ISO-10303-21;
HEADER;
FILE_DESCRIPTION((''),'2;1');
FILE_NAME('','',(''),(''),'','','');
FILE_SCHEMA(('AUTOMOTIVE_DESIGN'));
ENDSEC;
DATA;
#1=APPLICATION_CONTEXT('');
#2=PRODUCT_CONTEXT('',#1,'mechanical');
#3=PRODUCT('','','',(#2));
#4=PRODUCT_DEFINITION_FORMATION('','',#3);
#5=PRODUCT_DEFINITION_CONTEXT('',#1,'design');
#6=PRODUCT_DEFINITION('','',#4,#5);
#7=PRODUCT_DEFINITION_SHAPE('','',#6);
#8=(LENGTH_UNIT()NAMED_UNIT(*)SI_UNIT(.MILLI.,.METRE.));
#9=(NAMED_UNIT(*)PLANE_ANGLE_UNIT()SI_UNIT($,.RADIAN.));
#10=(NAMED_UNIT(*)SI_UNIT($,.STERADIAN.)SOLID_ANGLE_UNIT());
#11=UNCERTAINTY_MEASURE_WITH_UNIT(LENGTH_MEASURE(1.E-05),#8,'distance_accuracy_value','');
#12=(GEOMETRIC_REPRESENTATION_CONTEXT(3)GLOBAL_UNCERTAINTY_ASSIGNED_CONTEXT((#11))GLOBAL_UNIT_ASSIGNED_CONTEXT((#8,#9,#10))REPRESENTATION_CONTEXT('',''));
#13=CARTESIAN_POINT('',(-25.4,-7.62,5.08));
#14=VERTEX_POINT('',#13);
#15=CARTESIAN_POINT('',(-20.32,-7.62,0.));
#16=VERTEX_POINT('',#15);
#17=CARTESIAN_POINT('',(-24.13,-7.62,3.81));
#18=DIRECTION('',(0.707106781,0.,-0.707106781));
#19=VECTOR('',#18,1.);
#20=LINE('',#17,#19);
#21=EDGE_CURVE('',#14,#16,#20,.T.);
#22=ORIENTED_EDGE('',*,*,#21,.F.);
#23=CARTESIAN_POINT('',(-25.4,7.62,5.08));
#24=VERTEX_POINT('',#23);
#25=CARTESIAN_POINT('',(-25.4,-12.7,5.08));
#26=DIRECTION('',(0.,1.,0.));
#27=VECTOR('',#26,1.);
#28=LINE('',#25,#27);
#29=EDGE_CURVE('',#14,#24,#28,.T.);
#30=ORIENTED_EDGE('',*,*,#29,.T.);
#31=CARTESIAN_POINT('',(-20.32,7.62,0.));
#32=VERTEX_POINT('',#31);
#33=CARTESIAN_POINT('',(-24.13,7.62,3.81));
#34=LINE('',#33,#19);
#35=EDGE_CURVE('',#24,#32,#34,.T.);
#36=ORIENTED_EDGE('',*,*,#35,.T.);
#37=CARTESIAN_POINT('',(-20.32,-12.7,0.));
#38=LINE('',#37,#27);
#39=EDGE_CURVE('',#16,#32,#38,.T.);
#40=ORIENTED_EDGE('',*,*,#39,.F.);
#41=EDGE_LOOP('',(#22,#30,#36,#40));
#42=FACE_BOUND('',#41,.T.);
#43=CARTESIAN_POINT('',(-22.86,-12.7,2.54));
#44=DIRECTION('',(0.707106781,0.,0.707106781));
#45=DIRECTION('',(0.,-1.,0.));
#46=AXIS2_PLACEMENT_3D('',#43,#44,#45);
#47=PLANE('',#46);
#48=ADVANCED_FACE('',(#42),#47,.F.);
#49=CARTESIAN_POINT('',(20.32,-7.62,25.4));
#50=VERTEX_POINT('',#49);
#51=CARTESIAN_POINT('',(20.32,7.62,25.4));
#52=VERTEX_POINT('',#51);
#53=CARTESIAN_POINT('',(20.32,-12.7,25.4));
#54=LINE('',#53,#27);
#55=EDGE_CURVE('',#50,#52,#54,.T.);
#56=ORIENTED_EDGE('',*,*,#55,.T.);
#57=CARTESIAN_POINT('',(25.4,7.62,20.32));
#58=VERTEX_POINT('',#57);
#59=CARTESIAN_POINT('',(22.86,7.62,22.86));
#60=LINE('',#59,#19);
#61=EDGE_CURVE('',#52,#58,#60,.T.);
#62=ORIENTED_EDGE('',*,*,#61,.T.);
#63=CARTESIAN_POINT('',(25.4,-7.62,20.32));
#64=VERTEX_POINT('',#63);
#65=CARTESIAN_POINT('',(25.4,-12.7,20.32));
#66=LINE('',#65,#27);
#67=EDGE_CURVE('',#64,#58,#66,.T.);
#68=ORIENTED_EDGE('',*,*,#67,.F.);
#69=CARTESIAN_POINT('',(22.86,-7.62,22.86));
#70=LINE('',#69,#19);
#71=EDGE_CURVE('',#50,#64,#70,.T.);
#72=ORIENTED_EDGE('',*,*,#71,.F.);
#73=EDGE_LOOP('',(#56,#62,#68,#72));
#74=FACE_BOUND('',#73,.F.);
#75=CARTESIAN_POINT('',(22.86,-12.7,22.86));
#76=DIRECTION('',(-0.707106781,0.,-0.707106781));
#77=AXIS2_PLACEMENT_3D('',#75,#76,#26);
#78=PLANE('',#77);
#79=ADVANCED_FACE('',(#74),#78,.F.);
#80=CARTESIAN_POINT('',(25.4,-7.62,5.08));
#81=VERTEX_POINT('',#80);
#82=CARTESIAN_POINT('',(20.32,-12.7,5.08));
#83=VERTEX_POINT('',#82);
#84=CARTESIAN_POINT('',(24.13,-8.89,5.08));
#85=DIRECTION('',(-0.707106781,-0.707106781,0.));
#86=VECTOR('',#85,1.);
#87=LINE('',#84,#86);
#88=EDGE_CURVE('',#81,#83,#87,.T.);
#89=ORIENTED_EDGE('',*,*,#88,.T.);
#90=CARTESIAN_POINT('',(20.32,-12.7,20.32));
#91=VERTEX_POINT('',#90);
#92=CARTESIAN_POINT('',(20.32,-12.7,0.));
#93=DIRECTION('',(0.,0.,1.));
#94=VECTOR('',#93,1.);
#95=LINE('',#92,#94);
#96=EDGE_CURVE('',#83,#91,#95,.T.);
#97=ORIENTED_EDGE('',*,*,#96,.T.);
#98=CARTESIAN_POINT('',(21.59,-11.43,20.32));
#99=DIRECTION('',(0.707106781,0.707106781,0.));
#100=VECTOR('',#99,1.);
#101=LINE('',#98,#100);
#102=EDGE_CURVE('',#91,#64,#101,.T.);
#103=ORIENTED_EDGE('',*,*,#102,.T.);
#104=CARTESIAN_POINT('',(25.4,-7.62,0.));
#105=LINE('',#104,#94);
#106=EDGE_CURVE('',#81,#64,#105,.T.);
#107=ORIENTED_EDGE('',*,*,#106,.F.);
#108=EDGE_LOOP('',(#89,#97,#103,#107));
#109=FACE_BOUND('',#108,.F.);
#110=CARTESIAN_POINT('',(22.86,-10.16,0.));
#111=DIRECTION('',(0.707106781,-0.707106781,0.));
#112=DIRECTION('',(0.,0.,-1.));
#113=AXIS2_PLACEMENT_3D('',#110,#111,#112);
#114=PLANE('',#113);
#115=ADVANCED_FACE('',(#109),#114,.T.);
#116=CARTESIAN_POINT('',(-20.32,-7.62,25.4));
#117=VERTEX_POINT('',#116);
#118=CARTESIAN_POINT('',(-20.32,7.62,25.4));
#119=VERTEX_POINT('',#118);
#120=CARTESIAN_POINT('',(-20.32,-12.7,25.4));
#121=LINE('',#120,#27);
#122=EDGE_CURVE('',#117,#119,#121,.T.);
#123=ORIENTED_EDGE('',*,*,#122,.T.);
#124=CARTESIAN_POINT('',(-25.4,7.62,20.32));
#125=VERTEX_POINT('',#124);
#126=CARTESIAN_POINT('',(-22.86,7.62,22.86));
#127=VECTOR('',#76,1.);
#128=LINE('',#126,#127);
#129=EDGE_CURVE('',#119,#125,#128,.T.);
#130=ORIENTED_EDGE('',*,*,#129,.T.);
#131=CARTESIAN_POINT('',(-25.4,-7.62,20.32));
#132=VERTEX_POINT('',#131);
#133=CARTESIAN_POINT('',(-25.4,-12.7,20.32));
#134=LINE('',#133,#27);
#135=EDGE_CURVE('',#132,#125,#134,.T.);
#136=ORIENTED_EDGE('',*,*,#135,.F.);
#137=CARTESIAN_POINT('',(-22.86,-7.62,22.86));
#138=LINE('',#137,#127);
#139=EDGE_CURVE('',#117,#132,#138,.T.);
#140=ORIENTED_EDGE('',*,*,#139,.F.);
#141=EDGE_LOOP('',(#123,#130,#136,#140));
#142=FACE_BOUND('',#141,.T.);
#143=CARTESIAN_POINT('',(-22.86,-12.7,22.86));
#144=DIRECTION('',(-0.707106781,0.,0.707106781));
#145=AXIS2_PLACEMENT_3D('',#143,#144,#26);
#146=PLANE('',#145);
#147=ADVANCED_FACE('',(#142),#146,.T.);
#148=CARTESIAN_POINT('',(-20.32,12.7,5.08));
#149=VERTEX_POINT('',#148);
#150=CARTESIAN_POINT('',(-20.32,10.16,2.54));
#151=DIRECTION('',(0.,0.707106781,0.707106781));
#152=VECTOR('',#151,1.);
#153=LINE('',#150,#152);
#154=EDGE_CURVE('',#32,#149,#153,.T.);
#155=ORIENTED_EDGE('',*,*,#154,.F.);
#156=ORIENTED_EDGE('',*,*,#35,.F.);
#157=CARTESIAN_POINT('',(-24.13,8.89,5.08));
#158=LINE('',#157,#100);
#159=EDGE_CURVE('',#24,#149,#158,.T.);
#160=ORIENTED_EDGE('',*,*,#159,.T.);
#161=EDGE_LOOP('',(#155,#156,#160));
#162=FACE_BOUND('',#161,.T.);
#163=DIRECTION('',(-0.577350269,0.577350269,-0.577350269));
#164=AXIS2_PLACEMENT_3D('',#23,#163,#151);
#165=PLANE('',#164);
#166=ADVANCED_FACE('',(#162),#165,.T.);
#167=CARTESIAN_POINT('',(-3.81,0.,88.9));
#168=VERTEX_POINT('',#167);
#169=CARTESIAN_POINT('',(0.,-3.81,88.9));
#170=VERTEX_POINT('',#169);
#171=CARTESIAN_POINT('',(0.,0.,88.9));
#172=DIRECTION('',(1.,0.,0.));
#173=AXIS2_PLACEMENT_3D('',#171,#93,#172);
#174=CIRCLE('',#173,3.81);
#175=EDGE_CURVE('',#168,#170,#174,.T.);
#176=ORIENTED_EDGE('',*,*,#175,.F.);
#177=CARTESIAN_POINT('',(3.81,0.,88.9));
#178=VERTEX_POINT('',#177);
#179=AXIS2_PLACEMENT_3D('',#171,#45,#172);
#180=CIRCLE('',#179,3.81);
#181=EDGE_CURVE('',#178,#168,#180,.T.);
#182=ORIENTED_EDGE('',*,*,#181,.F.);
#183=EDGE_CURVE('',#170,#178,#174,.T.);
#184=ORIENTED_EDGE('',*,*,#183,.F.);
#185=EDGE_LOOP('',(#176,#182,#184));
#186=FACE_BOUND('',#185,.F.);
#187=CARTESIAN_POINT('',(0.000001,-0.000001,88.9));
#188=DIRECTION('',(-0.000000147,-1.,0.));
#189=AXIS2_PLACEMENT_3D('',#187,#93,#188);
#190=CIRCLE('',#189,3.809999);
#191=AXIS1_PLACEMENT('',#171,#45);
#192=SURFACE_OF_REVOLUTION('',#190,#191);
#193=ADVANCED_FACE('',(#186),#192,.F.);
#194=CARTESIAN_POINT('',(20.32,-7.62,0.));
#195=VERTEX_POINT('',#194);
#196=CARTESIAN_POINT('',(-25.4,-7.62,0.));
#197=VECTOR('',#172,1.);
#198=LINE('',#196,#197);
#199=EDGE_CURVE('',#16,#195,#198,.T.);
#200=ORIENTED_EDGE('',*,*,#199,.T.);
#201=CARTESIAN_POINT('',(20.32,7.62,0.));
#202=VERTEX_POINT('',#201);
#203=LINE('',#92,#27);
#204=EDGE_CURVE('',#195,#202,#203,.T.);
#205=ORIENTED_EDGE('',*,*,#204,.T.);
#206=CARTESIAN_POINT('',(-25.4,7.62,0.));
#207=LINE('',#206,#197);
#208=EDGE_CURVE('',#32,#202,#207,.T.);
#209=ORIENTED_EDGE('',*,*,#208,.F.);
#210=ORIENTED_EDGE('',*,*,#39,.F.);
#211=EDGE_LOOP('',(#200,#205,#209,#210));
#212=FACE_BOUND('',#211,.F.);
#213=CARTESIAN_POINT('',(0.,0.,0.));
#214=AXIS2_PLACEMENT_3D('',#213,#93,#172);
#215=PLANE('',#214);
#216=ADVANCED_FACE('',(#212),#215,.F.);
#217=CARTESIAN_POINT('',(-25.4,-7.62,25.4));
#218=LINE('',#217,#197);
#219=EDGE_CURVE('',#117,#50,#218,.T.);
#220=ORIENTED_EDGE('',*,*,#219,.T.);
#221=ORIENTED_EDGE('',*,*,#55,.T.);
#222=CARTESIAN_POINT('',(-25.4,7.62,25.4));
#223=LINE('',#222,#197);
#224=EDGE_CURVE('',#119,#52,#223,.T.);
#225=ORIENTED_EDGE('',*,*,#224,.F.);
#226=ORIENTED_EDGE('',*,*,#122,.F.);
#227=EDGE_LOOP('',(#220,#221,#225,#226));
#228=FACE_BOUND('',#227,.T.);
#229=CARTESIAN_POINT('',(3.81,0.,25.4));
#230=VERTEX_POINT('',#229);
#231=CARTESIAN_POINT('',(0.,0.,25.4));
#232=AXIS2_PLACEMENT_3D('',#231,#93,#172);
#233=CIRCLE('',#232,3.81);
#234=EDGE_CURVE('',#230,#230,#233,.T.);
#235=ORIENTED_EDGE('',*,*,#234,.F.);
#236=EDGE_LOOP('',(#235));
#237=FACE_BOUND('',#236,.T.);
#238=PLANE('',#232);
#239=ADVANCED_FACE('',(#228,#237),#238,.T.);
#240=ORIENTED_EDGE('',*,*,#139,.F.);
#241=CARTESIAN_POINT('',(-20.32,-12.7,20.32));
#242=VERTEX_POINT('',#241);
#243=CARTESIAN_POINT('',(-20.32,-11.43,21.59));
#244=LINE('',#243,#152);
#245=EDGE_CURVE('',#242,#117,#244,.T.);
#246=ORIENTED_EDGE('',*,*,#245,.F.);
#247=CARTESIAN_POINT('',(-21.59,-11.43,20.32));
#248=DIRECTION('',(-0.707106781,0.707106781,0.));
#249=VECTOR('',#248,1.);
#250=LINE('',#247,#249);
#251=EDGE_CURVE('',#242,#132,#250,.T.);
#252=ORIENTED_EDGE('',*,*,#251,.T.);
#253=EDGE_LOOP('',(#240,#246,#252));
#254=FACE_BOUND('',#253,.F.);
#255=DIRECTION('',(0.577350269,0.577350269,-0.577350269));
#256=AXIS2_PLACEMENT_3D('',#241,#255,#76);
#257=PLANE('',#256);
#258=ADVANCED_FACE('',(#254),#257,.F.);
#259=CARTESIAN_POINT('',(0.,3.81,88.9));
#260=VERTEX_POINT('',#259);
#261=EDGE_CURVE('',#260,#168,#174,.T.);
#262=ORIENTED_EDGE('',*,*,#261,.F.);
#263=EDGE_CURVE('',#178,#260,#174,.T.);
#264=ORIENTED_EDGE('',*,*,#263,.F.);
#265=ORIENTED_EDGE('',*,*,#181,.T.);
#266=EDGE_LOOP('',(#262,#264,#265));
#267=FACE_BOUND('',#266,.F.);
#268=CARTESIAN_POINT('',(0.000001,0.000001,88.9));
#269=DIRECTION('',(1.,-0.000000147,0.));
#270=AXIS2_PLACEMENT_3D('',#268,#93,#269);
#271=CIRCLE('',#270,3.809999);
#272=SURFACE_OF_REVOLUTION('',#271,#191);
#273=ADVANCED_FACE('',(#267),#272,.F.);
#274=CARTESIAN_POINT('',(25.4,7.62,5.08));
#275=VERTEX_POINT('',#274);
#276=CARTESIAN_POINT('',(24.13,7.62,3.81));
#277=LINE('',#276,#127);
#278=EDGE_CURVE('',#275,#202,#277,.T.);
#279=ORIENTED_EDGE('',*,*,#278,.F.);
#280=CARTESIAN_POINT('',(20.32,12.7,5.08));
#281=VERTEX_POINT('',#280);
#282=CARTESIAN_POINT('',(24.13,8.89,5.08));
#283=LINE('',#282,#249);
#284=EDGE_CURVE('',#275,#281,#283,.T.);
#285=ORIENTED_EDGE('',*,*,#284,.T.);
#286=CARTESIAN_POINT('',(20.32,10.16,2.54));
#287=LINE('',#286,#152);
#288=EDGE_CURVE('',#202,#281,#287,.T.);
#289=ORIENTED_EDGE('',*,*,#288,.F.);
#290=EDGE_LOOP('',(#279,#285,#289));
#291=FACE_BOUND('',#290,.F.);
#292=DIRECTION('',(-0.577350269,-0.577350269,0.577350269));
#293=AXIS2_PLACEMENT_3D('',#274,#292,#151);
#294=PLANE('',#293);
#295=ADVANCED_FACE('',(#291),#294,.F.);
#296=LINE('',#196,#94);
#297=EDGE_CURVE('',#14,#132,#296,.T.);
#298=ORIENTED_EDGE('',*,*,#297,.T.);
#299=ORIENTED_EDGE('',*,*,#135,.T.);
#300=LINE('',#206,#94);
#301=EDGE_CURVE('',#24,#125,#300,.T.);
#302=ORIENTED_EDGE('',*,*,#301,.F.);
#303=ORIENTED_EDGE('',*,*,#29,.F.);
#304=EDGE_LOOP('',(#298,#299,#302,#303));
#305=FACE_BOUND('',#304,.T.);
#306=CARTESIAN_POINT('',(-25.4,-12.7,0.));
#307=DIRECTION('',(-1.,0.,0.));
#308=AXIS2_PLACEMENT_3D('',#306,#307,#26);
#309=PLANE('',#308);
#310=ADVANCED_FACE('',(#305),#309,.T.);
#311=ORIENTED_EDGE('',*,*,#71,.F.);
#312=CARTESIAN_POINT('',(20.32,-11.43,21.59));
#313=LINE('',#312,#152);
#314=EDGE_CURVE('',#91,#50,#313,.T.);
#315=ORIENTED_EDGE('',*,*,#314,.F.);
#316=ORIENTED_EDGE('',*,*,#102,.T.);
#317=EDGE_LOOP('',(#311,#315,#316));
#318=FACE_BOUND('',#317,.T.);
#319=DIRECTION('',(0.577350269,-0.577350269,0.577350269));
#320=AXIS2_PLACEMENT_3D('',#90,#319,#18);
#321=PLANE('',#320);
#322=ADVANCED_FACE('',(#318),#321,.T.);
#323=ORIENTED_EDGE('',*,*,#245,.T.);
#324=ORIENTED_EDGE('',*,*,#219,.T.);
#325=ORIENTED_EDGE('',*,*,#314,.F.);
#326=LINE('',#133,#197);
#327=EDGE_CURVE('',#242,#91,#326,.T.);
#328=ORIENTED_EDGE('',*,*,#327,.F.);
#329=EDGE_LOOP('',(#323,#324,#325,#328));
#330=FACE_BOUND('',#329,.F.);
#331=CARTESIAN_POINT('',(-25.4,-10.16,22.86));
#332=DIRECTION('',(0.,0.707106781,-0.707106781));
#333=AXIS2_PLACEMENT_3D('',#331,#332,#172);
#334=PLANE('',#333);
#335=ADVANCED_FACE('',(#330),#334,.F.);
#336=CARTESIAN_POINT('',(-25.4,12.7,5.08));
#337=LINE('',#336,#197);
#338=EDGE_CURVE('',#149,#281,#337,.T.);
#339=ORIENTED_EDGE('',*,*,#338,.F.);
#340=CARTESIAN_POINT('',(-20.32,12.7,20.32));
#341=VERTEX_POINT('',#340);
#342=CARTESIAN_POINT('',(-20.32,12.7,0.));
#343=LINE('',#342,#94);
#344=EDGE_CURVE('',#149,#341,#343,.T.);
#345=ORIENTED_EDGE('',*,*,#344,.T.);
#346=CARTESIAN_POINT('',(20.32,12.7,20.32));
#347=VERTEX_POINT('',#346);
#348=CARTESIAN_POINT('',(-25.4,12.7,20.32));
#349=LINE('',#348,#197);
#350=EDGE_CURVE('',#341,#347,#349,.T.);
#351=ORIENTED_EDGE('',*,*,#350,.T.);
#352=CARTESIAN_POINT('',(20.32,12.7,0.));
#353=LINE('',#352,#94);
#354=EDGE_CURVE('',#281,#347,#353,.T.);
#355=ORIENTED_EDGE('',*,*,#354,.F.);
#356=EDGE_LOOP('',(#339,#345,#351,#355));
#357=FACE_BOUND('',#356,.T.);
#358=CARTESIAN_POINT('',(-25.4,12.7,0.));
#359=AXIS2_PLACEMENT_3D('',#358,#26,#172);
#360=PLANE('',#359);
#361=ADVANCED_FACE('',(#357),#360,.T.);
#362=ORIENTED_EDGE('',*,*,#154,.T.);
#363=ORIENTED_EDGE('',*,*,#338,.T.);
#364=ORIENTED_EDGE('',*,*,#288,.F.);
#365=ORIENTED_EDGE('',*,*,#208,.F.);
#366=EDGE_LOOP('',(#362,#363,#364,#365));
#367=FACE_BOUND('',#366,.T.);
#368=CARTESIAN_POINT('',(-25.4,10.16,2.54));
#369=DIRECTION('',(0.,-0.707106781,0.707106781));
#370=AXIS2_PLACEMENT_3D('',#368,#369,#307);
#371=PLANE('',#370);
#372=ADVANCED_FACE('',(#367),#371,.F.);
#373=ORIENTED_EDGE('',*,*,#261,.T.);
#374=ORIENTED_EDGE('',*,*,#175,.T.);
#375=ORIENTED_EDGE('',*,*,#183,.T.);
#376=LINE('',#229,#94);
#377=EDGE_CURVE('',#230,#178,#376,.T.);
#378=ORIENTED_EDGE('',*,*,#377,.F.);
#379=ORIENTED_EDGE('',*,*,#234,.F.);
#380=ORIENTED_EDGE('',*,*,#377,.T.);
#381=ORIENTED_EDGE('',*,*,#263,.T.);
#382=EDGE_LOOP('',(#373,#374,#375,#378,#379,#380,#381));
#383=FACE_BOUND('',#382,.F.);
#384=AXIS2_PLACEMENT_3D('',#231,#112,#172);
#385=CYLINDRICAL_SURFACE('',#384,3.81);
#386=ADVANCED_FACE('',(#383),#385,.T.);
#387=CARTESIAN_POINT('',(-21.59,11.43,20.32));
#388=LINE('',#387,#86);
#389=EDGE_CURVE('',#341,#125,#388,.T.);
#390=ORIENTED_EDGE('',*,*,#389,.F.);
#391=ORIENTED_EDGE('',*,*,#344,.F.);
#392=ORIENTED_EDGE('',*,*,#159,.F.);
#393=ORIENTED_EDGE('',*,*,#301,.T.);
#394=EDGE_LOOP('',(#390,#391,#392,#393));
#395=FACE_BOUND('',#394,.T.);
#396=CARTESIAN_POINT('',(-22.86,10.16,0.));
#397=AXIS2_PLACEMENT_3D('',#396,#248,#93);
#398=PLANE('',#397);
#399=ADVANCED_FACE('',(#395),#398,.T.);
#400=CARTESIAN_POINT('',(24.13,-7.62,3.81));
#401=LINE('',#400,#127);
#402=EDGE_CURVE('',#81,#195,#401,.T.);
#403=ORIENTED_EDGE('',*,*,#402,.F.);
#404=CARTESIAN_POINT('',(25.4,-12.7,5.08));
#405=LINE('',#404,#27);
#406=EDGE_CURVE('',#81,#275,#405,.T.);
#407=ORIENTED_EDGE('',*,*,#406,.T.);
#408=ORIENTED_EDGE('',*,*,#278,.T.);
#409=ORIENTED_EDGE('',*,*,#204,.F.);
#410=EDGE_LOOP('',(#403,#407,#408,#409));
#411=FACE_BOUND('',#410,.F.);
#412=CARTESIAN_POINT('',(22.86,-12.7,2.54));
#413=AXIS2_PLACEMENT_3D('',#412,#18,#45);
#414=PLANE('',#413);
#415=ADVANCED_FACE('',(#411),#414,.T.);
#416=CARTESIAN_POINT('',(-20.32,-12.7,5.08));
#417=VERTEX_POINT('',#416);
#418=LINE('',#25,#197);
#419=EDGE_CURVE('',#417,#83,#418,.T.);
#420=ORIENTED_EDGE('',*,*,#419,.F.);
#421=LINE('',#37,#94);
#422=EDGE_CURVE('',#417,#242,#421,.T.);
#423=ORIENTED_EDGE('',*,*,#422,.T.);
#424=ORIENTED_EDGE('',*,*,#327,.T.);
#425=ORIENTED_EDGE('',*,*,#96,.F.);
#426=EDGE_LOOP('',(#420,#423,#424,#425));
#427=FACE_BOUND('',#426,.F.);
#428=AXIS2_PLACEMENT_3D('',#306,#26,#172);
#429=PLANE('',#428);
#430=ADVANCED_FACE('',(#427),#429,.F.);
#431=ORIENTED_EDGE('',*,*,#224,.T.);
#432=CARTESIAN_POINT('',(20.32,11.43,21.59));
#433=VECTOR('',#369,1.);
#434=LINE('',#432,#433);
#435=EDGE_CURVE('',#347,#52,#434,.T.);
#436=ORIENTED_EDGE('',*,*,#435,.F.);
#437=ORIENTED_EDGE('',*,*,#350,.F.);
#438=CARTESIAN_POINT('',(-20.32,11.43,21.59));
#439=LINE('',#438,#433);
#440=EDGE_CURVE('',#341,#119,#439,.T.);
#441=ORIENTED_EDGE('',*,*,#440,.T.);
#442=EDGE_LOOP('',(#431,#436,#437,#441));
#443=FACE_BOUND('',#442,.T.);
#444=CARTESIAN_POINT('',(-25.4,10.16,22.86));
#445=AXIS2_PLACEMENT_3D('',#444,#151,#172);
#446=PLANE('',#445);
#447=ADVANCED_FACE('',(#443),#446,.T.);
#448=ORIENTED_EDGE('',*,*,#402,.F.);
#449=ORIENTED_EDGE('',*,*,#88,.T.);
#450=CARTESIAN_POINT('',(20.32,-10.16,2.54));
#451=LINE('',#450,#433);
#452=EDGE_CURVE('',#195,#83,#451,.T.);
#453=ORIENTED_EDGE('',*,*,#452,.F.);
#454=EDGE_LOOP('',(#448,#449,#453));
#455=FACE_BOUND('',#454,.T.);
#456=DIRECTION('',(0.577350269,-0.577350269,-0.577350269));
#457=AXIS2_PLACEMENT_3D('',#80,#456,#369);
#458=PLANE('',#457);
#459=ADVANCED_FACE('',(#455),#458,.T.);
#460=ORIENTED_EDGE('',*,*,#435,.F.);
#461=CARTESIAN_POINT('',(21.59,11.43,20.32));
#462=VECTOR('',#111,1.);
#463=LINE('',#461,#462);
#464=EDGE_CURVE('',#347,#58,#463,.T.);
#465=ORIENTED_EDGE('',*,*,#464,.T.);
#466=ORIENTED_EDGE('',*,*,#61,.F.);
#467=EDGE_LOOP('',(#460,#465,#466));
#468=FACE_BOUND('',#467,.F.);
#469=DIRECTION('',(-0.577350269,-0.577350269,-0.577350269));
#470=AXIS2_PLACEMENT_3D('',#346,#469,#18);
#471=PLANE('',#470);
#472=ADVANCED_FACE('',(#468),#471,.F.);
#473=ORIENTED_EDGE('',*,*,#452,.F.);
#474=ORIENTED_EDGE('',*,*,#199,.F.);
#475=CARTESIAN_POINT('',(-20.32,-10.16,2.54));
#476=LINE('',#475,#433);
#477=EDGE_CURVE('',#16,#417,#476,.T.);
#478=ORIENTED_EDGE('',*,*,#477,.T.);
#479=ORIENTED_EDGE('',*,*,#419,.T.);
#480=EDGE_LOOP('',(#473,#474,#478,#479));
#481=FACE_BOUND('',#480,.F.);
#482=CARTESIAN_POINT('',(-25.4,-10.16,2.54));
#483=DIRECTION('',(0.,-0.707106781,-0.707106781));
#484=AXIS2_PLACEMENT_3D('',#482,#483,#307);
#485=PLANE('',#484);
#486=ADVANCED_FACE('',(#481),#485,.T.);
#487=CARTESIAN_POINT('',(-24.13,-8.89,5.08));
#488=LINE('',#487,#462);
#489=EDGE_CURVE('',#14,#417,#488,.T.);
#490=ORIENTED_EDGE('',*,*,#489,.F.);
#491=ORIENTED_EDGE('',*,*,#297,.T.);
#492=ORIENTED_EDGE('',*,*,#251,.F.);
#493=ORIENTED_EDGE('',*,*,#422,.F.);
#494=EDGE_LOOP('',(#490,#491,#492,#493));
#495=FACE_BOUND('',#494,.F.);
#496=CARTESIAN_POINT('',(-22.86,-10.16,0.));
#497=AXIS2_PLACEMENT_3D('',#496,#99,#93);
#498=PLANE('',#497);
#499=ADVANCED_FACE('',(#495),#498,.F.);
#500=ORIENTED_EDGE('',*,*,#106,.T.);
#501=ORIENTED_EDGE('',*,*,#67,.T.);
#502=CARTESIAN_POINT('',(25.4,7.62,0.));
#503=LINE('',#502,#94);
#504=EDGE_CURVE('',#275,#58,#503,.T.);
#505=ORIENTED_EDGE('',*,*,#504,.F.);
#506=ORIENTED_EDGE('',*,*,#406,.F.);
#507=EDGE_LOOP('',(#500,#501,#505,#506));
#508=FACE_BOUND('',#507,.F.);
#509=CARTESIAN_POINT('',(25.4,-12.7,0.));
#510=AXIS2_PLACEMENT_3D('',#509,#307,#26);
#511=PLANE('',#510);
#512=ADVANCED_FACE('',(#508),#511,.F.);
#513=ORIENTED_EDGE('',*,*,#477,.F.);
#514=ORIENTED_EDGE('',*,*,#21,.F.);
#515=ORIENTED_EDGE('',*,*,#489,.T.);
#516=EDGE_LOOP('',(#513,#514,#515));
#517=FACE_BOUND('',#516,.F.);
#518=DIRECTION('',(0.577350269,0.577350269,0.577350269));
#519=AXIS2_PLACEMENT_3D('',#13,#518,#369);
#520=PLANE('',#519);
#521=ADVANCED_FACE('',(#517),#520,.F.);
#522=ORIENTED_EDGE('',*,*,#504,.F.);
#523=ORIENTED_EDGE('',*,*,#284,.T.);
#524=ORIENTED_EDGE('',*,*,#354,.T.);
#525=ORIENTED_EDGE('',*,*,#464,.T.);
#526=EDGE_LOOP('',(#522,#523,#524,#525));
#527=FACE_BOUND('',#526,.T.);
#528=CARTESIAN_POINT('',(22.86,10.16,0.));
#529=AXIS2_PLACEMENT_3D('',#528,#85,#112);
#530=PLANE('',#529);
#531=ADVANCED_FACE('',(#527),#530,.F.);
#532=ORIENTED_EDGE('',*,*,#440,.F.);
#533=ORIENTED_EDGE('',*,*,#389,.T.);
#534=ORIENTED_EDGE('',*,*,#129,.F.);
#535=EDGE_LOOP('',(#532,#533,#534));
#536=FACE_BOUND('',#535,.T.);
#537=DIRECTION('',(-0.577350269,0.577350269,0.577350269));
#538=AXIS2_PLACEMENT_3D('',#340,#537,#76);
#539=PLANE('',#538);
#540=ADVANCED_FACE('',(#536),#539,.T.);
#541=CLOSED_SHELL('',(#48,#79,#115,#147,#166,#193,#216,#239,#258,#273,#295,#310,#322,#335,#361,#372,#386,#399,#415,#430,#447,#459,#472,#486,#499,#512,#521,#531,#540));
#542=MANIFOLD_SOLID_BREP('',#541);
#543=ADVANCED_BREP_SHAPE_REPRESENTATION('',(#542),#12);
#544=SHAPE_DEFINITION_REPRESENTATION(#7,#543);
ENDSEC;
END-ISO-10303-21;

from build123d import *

# Parameters (mm, degrees)
F0_W     = 50.8
F0_H     = 25.4
F1_DEPTH = 25.4
F2_R     = 3.81
F3_DEPTH = 63.5
F6_SIZE  = 5.08


with BuildPart() as f1:
    # F0 (on Top) → F1 (new body)
    with BuildSketch(Plane.XY):
        Rectangle(F0_W, F0_H)
    extrude(amount=F1_DEPTH)

    # F2 (on face) → F3 (join)
    with BuildSketch(Plane.XY.offset(25.4)):
        Circle(F2_R)
    extrude(amount=F3_DEPTH)

    # F4 (on face) → F5 (revolve)
    with BuildSketch(Plane.XY.offset(88.9)):
        with BuildLine():
            Line((0, 3.81), (0, -3.81))
            ThreePointArc((0, -3.81), (2.694077, -2.694077), (3.81, 0))
            ThreePointArc((3.81, 0), (2.694077, 2.694077), (0, 3.81))
        make_face()
    revolve(axis=Axis((0, 0, 88.9), (0, -1, 0)))

    # F6
    f6_edges = [f1.edges().sort_by_distance(p)[0] for p in [
        (-25.4, 0, 25.4),
        (25.4, 0, 25.4),
        (0, -12.7, 25.4),
        (0, 12.7, 25.4),
        (0, -12.7, 0),
        (0, 12.7, 0),
        (-25.4, 0, 0),
        (25.4, 0, 0),
        (25.4, -12.7, 12.7),
        (25.4, 12.7, 12.7),
        (-25.4, 12.7, 12.7),
        (-25.4, -12.7, 12.7),
    ]]
    chamfer(f6_edges, length=F6_SIZE)


solid = f1.part
